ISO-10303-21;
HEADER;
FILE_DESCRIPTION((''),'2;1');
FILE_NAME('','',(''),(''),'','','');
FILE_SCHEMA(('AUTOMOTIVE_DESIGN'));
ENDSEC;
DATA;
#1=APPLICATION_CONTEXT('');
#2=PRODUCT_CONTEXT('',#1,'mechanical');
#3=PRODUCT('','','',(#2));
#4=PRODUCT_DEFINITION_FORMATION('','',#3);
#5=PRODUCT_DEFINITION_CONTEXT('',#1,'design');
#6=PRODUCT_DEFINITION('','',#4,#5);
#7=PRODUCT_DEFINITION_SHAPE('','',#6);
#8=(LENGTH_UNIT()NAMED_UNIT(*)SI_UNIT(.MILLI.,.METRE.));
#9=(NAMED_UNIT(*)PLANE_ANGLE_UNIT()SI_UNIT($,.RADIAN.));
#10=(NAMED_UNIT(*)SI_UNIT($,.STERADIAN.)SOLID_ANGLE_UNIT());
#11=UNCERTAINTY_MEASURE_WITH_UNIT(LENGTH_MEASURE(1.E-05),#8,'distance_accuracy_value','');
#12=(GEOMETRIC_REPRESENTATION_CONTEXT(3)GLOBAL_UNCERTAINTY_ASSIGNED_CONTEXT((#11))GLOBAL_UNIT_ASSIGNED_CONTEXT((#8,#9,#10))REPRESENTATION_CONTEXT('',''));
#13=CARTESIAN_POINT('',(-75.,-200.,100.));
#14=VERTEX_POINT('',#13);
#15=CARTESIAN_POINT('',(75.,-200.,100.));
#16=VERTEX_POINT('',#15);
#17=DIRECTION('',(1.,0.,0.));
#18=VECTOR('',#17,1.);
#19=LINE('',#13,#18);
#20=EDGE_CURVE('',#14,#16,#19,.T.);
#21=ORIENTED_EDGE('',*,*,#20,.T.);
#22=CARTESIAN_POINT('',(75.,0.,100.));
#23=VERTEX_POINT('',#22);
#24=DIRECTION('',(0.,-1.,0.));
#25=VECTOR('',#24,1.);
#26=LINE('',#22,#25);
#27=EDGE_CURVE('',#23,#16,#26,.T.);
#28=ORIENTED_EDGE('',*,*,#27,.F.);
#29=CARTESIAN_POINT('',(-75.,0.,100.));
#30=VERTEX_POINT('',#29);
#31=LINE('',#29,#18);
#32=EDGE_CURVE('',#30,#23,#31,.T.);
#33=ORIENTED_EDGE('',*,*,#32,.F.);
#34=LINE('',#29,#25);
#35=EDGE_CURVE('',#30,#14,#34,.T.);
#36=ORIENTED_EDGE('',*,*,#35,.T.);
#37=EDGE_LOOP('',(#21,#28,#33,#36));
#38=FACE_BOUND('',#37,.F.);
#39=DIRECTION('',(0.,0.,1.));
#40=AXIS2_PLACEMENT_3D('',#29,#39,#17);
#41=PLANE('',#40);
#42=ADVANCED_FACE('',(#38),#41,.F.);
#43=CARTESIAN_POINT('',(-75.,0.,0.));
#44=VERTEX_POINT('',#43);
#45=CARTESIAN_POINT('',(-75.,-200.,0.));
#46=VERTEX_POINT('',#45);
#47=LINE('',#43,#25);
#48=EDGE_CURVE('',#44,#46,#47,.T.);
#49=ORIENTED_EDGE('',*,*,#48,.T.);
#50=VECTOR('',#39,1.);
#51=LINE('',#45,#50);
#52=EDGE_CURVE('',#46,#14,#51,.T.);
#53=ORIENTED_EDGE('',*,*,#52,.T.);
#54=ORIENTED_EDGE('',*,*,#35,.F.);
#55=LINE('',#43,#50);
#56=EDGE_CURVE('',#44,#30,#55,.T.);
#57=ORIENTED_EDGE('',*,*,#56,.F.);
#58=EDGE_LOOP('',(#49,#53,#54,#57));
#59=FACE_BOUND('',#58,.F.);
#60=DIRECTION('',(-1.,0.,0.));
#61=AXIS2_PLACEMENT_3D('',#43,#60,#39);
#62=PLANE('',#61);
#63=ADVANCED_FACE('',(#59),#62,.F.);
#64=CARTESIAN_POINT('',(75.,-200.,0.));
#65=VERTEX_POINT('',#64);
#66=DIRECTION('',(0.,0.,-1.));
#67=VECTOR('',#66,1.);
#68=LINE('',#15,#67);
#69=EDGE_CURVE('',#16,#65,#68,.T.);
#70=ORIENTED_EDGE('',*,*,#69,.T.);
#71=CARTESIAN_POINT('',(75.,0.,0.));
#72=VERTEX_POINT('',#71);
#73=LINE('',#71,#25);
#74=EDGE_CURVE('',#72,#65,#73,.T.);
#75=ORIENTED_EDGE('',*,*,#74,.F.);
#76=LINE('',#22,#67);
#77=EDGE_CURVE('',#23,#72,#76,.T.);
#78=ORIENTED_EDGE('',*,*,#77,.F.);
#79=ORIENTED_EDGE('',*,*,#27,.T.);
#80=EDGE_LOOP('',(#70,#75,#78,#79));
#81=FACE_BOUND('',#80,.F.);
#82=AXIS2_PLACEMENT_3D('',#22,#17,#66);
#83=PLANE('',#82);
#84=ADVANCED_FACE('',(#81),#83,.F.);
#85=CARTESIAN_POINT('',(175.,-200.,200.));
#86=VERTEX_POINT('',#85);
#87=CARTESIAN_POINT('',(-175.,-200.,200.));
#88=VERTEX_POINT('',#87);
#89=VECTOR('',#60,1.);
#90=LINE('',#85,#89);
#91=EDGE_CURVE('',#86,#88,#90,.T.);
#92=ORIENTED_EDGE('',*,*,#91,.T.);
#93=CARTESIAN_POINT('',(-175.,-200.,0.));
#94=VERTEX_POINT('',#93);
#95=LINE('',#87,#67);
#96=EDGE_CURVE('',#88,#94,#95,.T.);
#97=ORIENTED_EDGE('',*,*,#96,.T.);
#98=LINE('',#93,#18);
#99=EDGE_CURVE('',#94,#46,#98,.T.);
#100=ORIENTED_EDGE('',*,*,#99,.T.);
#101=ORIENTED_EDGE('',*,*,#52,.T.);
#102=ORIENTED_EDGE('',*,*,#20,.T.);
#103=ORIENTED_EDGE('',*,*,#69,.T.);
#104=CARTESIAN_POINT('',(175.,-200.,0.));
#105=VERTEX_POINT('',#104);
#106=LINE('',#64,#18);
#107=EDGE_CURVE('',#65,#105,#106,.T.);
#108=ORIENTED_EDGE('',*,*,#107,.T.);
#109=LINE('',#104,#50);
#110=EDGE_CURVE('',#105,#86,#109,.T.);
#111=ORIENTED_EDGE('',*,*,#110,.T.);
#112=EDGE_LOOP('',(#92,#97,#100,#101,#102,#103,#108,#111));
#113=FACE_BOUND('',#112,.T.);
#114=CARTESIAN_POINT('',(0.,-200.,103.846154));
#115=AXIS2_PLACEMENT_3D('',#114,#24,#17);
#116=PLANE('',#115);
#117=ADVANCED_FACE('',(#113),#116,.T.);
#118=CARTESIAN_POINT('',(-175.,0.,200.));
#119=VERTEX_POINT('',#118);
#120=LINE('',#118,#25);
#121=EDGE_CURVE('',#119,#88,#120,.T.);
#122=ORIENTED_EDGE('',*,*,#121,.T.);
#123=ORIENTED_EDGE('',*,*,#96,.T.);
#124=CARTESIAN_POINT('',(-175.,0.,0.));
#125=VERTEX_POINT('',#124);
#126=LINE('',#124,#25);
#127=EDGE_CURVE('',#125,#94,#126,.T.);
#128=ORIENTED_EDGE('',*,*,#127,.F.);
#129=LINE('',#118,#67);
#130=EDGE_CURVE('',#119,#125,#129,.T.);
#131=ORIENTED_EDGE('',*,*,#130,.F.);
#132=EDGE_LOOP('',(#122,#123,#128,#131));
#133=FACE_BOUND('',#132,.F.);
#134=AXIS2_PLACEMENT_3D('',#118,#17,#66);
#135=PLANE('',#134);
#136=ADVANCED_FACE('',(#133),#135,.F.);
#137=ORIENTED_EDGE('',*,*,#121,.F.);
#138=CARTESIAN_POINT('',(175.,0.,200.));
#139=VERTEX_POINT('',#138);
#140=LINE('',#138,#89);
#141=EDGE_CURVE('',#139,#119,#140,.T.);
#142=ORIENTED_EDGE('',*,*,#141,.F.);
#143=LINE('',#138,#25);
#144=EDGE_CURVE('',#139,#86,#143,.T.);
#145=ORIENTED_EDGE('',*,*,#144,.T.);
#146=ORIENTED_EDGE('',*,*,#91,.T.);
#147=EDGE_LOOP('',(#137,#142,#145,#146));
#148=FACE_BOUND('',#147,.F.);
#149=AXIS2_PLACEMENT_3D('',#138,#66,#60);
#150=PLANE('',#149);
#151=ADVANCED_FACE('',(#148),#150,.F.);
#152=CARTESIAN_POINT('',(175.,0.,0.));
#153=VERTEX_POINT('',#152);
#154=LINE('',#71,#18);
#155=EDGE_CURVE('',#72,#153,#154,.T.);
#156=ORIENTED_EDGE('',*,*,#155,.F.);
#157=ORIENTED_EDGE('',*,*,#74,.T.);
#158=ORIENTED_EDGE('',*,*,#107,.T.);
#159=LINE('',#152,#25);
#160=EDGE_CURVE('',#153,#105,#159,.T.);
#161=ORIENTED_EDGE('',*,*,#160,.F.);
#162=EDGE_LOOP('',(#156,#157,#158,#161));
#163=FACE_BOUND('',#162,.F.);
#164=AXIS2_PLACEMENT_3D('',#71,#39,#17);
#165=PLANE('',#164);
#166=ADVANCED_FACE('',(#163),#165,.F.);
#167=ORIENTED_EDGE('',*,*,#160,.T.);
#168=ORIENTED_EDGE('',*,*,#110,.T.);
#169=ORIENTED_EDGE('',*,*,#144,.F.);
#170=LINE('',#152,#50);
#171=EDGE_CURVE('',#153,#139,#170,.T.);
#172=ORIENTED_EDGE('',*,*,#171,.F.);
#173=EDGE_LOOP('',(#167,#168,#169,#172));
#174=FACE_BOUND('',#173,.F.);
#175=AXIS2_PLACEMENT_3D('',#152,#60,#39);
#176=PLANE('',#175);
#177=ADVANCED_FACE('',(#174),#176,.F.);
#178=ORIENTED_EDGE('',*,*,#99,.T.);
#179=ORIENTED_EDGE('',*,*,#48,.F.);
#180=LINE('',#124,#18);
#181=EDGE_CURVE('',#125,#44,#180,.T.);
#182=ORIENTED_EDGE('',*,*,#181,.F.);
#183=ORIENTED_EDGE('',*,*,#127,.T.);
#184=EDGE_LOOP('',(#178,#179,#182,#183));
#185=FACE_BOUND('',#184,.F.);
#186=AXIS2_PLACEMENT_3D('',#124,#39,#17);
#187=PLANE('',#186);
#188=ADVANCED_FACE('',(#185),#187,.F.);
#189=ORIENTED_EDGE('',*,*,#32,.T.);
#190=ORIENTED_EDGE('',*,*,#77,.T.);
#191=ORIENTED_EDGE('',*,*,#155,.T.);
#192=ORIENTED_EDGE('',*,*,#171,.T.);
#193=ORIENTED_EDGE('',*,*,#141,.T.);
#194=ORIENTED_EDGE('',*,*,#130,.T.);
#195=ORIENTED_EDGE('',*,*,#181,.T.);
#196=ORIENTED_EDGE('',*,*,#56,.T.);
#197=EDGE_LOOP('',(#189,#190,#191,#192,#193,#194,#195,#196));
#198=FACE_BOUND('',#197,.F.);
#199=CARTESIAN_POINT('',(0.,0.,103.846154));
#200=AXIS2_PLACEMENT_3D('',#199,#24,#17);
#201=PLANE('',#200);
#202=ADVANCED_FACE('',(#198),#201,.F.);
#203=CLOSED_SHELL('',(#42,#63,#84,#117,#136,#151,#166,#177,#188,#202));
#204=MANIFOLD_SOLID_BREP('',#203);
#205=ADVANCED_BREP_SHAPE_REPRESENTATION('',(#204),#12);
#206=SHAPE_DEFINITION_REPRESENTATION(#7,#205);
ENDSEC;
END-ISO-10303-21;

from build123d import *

# Parameters (mm, degrees)
PAD_DEPTH = 200


with BuildPart() as part:
    # Sketch → Pad (new body)
    with BuildSketch(Plane.XZ):
        Polygon((-175, 200), (-175, 0), (-75, 0), (-75, 100), (75, 100), (75, 0), (175, 0), (175, 200), align=None)
    extrude(amount=PAD_DEPTH)


solid = part.part
